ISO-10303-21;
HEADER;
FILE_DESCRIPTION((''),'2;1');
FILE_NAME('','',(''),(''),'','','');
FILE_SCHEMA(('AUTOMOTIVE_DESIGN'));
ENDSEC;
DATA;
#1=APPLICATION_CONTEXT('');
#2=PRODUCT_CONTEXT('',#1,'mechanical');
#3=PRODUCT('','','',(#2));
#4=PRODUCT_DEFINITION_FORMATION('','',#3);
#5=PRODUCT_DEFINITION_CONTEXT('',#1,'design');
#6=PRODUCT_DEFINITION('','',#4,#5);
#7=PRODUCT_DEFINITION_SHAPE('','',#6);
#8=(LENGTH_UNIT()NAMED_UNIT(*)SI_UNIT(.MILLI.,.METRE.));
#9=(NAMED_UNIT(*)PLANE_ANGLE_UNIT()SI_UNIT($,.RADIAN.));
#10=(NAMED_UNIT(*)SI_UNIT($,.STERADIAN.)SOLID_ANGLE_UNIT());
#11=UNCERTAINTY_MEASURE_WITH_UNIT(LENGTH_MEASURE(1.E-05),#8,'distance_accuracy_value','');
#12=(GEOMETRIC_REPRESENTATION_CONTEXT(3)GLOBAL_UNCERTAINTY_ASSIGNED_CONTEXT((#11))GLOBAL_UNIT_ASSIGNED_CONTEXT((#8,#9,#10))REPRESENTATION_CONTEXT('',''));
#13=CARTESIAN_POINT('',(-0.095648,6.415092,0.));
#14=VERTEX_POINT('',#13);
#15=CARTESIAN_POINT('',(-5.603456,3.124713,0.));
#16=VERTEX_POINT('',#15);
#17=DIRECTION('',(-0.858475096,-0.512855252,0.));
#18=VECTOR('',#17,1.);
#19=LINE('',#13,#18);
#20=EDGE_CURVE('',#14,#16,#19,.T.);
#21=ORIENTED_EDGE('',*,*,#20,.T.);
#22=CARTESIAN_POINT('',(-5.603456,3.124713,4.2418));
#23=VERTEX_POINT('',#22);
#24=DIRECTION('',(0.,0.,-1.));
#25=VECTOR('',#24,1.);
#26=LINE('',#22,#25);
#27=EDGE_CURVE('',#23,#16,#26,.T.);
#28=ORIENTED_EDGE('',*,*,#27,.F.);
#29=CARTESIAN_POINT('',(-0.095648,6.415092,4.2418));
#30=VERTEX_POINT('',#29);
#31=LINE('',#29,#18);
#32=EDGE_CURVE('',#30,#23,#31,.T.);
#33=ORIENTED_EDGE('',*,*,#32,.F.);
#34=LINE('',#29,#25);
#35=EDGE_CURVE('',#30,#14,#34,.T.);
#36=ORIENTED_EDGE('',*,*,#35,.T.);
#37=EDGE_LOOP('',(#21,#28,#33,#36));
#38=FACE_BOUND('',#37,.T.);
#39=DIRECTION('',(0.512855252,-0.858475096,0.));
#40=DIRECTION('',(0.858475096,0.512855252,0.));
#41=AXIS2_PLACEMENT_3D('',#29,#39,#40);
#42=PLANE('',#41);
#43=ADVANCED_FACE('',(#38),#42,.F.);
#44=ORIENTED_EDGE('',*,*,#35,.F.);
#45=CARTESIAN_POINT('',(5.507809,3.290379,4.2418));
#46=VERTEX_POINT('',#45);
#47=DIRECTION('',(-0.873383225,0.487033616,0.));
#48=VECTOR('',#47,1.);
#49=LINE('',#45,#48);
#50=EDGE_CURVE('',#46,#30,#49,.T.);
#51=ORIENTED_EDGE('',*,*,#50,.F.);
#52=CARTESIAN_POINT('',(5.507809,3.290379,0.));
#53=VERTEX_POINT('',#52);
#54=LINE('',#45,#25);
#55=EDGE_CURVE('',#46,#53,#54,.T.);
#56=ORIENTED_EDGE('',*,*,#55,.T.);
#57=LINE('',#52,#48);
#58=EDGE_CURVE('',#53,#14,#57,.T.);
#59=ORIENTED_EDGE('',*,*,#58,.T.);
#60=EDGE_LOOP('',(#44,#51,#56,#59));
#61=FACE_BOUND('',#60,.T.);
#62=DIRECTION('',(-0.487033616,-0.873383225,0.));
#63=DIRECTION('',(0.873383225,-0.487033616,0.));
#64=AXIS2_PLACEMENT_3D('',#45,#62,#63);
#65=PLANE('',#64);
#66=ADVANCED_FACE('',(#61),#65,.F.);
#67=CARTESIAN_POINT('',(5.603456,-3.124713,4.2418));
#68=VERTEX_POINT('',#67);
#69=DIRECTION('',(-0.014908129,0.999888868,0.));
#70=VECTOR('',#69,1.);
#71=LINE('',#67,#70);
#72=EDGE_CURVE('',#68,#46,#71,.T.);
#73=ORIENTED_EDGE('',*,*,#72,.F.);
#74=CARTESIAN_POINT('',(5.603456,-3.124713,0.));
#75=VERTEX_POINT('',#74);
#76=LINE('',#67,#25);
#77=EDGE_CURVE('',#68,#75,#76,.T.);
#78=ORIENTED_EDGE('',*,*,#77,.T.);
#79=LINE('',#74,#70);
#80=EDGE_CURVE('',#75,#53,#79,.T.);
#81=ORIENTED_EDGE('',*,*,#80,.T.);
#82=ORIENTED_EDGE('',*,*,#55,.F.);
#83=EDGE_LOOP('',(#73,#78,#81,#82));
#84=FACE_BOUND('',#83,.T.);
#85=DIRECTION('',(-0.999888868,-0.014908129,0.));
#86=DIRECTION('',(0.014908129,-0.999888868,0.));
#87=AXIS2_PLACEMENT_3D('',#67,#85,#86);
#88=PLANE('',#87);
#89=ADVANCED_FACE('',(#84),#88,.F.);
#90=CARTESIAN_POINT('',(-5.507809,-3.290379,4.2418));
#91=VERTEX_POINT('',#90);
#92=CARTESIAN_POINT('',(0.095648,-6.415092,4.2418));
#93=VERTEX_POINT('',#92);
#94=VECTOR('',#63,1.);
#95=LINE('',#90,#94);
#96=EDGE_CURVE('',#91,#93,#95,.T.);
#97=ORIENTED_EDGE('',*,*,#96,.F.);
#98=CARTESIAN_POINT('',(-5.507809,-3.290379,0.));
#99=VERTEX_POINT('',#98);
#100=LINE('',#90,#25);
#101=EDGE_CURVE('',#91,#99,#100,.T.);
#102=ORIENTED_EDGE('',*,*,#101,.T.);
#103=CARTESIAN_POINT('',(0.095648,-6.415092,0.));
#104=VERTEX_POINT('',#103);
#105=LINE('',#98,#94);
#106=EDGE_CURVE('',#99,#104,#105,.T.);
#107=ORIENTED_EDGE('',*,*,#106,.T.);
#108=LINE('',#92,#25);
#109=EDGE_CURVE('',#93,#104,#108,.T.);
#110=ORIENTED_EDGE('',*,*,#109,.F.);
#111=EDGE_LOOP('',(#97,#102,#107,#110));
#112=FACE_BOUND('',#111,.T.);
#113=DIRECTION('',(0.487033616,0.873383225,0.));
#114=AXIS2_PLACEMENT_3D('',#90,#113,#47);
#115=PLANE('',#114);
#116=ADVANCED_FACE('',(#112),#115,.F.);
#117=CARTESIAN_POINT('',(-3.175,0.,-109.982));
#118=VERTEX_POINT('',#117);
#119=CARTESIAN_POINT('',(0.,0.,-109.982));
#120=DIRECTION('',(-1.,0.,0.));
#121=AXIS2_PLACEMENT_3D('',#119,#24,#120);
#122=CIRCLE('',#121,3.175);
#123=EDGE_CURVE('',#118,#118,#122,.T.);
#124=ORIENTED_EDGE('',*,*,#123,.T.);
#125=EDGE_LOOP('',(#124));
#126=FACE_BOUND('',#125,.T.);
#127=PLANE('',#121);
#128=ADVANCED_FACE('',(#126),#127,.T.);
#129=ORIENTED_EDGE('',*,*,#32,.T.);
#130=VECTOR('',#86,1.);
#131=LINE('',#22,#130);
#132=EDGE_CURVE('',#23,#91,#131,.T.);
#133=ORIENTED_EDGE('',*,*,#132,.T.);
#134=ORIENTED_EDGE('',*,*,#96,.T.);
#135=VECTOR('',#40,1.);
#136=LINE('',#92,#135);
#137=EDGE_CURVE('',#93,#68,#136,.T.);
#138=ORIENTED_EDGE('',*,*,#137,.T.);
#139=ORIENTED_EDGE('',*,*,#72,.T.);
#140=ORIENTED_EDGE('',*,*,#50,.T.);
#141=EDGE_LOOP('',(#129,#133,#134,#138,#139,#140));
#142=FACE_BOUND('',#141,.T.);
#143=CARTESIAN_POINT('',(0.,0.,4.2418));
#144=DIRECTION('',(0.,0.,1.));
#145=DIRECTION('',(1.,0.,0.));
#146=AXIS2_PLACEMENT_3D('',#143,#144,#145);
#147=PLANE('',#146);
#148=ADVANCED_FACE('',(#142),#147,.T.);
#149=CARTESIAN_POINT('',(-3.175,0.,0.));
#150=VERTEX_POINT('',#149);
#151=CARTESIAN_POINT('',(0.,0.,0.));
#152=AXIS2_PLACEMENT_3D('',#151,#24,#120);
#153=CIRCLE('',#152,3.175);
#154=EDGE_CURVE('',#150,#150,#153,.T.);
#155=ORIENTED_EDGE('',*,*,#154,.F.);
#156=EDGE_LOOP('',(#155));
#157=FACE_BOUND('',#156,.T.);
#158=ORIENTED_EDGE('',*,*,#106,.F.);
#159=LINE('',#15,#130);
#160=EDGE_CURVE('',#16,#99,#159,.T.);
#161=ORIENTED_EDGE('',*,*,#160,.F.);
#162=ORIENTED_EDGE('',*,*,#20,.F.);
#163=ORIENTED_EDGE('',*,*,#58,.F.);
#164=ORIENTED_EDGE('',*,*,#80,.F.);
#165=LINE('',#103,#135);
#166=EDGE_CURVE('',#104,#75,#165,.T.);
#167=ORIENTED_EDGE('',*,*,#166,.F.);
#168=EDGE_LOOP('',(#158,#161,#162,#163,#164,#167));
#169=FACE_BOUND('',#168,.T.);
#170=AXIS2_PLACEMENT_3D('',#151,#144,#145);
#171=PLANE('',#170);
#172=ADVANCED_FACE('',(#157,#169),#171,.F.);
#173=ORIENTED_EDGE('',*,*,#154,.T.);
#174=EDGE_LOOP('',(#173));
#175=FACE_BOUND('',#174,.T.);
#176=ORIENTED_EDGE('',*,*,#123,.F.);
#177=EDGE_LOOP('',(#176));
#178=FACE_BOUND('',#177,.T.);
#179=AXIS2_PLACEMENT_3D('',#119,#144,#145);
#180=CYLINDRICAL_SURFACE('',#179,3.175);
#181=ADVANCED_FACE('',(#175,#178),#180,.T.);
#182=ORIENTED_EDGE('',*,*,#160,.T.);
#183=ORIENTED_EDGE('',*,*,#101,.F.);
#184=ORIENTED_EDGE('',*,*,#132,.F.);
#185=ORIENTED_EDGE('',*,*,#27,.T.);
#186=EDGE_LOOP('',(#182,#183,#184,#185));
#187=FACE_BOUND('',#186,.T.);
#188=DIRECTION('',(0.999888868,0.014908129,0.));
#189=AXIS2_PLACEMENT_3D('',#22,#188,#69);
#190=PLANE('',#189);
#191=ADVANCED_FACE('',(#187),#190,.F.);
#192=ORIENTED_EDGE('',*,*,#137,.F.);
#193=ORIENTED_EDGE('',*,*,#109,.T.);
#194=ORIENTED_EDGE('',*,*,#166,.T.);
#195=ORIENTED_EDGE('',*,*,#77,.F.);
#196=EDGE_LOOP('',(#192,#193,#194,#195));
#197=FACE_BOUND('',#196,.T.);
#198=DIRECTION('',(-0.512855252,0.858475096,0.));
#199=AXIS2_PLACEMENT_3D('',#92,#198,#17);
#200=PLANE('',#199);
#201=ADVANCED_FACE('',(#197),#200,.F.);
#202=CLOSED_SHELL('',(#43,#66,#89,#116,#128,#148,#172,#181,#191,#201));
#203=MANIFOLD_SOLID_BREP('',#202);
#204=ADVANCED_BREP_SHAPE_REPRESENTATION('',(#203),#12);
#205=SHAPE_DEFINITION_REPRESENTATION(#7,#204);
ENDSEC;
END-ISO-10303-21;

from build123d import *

# Parameters (mm, degrees)
BOSS_EXTRUDE1_DEPTH = 4.2418
SKETCH2_R           = 3.175
BOSS_EXTRUDE2_DEPTH = 109.982


with BuildPart() as part:
    # Sketch1 → Boss-Extrude1 (new body)
    with BuildSketch(Plane.XY):
        Polygon((5.507808698, 3.290379222), (-0.095647645, 6.415091863), (-5.603456344, 3.124712641), (-5.507808698, -3.290379222), (0.095647645, -6.415091863), (5.603456344, -3.124712641), align=None)
    extrude(amount=BOSS_EXTRUDE1_DEPTH)

    # Sketch2 → Boss-Extrude2 (add)
    with BuildSketch(Plane(origin=(0, 0, 0), x_dir=(-1, 0, 0), z_dir=(0, 0, -1))):
        Circle(SKETCH2_R)
    extrude(amount=BOSS_EXTRUDE2_DEPTH)


solid = part.part
